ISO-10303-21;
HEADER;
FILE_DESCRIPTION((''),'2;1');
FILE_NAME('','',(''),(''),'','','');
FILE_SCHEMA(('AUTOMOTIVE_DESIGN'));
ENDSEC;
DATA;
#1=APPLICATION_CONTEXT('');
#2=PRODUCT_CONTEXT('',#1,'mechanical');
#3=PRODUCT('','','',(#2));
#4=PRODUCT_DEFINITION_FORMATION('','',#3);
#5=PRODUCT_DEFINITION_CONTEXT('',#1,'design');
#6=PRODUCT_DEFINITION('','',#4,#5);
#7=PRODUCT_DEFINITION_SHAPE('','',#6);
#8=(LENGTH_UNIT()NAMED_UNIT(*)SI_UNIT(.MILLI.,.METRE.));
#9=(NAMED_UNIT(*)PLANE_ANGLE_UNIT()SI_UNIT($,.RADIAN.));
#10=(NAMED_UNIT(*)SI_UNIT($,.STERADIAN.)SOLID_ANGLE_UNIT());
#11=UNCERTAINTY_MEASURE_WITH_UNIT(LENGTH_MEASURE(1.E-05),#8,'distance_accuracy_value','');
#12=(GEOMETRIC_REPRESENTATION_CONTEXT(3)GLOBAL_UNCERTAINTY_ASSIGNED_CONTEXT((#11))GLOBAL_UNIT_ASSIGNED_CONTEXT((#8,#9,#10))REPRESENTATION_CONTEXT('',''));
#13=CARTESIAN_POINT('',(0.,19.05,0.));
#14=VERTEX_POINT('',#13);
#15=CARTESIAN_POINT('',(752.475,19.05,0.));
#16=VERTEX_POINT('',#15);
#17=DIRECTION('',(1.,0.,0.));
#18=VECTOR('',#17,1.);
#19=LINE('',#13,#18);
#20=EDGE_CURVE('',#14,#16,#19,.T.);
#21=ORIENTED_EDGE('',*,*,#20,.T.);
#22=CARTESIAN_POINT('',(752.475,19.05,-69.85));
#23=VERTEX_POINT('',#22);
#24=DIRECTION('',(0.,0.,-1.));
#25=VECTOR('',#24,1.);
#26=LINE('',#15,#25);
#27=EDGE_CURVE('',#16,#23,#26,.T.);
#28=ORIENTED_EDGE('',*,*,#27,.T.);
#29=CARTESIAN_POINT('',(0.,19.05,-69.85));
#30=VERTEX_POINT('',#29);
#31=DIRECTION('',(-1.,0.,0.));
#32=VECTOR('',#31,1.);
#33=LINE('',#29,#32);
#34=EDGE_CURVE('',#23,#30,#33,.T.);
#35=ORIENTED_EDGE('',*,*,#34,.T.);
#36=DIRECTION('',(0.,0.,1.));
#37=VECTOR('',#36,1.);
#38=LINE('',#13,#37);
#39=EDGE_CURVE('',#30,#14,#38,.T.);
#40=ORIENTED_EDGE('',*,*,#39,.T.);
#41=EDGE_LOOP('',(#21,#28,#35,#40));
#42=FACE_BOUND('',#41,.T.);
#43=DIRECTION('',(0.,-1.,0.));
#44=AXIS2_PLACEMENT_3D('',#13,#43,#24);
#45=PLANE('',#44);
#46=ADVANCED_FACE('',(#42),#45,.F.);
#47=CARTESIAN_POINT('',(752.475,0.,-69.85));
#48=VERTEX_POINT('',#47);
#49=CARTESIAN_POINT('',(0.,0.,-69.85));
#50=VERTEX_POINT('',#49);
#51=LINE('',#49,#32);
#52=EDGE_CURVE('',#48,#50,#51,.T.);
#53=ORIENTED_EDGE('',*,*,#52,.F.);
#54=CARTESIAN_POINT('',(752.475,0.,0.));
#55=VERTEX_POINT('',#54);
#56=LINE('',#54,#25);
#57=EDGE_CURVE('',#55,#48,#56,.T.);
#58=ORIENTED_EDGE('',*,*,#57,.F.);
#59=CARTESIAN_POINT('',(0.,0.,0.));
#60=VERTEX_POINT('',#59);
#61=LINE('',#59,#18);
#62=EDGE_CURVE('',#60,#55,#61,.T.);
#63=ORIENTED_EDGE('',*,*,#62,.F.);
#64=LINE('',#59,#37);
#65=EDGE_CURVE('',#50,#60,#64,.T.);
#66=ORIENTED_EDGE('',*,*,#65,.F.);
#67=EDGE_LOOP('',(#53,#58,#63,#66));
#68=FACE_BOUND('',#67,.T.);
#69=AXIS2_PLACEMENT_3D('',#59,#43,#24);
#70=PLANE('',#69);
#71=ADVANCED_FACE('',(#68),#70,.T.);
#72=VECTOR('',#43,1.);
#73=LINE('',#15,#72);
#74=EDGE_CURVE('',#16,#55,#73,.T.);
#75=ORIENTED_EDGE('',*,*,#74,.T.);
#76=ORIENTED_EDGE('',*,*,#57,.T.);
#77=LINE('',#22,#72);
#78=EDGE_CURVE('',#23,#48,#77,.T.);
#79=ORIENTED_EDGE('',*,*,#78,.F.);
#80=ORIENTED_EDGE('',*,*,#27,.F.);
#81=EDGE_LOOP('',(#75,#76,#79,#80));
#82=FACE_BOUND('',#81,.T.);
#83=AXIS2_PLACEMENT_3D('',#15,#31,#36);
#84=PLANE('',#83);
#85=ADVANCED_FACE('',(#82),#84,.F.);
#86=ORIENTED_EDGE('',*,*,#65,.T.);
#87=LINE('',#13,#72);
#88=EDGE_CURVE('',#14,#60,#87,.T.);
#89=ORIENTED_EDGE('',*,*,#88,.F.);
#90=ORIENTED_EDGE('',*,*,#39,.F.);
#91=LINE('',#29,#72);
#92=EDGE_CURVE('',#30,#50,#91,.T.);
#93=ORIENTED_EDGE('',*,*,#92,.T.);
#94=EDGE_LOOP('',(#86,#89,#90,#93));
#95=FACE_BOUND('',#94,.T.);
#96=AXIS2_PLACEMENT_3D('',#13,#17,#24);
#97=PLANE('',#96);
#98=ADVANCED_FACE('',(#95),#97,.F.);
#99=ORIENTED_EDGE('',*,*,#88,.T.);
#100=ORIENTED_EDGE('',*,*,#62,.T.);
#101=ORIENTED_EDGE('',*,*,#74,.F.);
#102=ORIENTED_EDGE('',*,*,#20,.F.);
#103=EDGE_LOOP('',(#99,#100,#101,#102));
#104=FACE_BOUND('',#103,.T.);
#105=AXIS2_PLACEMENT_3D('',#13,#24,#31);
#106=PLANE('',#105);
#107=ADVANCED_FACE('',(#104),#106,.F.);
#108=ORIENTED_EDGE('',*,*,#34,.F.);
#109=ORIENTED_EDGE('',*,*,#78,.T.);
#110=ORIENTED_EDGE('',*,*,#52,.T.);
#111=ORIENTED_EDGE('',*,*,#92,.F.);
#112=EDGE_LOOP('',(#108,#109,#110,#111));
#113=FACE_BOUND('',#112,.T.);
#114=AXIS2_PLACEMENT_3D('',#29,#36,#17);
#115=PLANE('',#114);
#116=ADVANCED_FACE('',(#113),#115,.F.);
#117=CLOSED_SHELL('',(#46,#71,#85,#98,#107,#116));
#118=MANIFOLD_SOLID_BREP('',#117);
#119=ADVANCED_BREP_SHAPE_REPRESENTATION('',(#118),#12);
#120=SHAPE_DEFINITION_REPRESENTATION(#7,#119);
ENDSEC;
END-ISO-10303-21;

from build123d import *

# Parameters (mm, degrees)
SKETCH1_W           = 752.475
SKETCH1_H           = 69.85
BOSS_EXTRUDE1_DEPTH = 19.05


with BuildPart() as part:
    # Sketch1 → Boss-Extrude1 (new body)
    with BuildSketch(Plane(origin=(0, 0, 0), x_dir=(1, 0, 0), z_dir=(0, 1, 0))):
        with Locations((376.2375, 34.925)):
            Rectangle(SKETCH1_W, SKETCH1_H)
    extrude(amount=BOSS_EXTRUDE1_DEPTH)


solid = part.part
